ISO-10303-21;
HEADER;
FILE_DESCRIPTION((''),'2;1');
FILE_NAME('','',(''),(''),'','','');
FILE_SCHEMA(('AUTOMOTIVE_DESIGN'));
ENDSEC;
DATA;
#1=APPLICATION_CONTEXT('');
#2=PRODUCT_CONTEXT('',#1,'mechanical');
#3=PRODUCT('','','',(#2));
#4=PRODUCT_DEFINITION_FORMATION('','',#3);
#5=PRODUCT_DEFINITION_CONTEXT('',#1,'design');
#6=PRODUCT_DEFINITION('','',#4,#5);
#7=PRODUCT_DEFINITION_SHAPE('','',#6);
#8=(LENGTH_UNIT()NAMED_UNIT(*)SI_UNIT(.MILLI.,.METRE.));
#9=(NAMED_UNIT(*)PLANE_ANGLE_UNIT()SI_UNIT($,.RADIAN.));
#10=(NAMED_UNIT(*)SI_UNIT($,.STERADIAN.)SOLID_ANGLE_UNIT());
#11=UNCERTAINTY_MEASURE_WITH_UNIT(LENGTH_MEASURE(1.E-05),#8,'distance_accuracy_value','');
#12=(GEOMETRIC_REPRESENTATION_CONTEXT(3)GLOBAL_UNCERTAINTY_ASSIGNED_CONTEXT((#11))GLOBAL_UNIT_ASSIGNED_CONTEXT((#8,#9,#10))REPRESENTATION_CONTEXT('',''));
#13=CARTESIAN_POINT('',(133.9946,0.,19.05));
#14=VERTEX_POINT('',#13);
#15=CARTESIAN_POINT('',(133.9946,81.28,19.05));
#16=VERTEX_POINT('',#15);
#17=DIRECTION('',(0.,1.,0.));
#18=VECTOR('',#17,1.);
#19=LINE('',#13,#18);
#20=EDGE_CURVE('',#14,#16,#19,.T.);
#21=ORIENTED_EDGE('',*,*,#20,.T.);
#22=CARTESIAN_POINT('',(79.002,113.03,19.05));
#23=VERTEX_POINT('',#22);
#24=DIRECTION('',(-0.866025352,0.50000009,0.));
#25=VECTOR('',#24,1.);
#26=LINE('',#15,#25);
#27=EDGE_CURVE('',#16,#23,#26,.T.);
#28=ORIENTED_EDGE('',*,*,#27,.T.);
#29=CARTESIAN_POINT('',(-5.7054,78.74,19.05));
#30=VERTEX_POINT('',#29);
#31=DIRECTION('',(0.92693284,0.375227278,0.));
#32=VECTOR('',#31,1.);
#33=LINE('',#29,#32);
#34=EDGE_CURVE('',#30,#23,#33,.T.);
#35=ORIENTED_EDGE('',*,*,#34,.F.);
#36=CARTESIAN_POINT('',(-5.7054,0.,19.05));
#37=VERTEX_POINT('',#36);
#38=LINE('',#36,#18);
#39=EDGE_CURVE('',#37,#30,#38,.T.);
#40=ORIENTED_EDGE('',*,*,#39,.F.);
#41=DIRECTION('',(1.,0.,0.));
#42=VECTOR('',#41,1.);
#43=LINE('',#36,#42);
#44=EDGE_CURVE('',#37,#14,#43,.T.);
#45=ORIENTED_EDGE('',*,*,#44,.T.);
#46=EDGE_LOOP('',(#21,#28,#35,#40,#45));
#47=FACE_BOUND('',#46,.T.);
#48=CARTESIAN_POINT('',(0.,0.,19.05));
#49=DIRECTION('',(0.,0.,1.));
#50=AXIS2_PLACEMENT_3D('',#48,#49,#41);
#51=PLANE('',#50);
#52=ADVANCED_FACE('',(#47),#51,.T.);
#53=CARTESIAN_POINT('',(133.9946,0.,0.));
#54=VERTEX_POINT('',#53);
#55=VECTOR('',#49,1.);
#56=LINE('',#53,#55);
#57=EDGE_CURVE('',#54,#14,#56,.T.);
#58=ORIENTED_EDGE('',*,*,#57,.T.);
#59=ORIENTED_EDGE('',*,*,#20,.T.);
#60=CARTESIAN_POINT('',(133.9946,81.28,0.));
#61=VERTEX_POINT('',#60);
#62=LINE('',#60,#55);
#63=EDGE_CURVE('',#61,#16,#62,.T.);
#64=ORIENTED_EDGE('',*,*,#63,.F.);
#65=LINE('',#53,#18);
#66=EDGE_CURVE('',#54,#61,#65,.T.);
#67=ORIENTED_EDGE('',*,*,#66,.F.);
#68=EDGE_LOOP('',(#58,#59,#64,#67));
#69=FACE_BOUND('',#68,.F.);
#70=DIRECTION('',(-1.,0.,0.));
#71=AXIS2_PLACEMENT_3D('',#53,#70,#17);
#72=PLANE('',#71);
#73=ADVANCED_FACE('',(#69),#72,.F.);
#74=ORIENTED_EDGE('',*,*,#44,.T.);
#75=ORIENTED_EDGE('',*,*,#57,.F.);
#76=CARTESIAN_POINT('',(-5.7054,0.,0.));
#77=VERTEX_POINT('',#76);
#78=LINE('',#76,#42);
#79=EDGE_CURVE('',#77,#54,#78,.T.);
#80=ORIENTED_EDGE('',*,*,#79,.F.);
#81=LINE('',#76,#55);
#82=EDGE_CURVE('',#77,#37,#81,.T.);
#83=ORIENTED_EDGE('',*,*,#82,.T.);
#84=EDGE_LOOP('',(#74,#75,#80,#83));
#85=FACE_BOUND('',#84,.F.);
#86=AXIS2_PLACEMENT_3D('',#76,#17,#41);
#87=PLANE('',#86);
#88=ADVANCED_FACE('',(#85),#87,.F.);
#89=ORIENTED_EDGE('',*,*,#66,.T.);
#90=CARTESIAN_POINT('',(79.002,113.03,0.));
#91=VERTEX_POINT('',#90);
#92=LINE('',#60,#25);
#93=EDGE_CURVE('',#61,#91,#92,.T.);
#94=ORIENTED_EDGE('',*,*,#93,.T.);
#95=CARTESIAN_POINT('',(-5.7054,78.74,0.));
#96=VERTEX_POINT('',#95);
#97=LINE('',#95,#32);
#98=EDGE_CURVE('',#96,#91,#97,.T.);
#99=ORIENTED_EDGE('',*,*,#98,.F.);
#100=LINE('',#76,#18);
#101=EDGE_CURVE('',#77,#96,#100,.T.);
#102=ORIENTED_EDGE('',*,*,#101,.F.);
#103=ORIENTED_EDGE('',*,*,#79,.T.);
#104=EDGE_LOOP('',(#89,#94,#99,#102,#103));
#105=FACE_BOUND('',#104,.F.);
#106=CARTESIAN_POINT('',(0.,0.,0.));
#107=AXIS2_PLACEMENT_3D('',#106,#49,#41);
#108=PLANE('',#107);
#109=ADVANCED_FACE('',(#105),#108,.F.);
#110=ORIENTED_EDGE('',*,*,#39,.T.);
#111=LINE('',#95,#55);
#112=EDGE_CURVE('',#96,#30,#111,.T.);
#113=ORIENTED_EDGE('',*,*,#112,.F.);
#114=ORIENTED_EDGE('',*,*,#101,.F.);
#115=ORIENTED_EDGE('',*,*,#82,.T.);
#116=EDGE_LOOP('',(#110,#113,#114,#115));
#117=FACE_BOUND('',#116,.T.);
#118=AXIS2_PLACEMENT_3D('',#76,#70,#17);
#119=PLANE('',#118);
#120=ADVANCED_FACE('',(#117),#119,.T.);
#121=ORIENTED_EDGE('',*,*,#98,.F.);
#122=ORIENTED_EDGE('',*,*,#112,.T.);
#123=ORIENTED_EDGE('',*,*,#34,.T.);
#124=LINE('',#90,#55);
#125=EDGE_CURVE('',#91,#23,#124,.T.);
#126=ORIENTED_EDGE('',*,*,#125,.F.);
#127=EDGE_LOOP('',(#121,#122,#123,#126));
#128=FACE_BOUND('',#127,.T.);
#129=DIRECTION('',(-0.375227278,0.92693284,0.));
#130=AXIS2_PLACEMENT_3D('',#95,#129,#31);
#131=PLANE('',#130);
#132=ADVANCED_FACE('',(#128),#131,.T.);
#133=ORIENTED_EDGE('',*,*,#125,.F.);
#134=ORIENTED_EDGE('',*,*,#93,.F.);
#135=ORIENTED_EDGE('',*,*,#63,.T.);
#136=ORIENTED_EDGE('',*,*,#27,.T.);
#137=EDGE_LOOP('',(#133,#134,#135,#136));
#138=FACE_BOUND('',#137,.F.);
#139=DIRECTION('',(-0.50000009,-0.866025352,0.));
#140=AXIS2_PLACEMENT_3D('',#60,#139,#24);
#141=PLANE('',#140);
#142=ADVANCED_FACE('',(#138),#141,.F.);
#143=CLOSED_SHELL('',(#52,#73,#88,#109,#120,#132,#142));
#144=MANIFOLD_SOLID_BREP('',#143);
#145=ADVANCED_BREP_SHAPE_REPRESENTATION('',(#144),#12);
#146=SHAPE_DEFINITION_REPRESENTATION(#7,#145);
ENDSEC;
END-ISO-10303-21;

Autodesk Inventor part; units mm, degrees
ref_plane "YZ Plane" through (0, 0, 0) normal (1, 0, 0) x (0, 1, 0)
ref_plane "XZ Plane" through (0, 0, 0) normal (0, 1, 0) x (-1, 0, 0)
ref_plane "XY Plane" through (0, 0, 0) normal (0, 0, 1) x (1, 0, 0)
sketch "Sketch1" plane through (0, 0, 0) normal (0, 0, 1) x (1, 0, 0)
  line L0 (-5.7054, 0) -> (133.9946, 0)
  line L1 (133.9946, 0) -> (133.9946, 81.28)
  line L2 (133.9946, 81.28) -> (79.002, 113.03)
  line L3 (-5.7054, 0) -> (-5.7054, 78.74)
  line L4 (-5.7054, 78.74) -> (79.002, 113.03)
  point P0 (0, 0)
  dimension "d0" = 139.7
  dimension "d1" = 81.28
  dimension "d2" = 63.5
  dimension "d3" = 120
  dimension "d4" = 78.74
extrude "Extrusion1" add sketch "Sketch1" along normal blind 19.05
properties part number "side battery"
